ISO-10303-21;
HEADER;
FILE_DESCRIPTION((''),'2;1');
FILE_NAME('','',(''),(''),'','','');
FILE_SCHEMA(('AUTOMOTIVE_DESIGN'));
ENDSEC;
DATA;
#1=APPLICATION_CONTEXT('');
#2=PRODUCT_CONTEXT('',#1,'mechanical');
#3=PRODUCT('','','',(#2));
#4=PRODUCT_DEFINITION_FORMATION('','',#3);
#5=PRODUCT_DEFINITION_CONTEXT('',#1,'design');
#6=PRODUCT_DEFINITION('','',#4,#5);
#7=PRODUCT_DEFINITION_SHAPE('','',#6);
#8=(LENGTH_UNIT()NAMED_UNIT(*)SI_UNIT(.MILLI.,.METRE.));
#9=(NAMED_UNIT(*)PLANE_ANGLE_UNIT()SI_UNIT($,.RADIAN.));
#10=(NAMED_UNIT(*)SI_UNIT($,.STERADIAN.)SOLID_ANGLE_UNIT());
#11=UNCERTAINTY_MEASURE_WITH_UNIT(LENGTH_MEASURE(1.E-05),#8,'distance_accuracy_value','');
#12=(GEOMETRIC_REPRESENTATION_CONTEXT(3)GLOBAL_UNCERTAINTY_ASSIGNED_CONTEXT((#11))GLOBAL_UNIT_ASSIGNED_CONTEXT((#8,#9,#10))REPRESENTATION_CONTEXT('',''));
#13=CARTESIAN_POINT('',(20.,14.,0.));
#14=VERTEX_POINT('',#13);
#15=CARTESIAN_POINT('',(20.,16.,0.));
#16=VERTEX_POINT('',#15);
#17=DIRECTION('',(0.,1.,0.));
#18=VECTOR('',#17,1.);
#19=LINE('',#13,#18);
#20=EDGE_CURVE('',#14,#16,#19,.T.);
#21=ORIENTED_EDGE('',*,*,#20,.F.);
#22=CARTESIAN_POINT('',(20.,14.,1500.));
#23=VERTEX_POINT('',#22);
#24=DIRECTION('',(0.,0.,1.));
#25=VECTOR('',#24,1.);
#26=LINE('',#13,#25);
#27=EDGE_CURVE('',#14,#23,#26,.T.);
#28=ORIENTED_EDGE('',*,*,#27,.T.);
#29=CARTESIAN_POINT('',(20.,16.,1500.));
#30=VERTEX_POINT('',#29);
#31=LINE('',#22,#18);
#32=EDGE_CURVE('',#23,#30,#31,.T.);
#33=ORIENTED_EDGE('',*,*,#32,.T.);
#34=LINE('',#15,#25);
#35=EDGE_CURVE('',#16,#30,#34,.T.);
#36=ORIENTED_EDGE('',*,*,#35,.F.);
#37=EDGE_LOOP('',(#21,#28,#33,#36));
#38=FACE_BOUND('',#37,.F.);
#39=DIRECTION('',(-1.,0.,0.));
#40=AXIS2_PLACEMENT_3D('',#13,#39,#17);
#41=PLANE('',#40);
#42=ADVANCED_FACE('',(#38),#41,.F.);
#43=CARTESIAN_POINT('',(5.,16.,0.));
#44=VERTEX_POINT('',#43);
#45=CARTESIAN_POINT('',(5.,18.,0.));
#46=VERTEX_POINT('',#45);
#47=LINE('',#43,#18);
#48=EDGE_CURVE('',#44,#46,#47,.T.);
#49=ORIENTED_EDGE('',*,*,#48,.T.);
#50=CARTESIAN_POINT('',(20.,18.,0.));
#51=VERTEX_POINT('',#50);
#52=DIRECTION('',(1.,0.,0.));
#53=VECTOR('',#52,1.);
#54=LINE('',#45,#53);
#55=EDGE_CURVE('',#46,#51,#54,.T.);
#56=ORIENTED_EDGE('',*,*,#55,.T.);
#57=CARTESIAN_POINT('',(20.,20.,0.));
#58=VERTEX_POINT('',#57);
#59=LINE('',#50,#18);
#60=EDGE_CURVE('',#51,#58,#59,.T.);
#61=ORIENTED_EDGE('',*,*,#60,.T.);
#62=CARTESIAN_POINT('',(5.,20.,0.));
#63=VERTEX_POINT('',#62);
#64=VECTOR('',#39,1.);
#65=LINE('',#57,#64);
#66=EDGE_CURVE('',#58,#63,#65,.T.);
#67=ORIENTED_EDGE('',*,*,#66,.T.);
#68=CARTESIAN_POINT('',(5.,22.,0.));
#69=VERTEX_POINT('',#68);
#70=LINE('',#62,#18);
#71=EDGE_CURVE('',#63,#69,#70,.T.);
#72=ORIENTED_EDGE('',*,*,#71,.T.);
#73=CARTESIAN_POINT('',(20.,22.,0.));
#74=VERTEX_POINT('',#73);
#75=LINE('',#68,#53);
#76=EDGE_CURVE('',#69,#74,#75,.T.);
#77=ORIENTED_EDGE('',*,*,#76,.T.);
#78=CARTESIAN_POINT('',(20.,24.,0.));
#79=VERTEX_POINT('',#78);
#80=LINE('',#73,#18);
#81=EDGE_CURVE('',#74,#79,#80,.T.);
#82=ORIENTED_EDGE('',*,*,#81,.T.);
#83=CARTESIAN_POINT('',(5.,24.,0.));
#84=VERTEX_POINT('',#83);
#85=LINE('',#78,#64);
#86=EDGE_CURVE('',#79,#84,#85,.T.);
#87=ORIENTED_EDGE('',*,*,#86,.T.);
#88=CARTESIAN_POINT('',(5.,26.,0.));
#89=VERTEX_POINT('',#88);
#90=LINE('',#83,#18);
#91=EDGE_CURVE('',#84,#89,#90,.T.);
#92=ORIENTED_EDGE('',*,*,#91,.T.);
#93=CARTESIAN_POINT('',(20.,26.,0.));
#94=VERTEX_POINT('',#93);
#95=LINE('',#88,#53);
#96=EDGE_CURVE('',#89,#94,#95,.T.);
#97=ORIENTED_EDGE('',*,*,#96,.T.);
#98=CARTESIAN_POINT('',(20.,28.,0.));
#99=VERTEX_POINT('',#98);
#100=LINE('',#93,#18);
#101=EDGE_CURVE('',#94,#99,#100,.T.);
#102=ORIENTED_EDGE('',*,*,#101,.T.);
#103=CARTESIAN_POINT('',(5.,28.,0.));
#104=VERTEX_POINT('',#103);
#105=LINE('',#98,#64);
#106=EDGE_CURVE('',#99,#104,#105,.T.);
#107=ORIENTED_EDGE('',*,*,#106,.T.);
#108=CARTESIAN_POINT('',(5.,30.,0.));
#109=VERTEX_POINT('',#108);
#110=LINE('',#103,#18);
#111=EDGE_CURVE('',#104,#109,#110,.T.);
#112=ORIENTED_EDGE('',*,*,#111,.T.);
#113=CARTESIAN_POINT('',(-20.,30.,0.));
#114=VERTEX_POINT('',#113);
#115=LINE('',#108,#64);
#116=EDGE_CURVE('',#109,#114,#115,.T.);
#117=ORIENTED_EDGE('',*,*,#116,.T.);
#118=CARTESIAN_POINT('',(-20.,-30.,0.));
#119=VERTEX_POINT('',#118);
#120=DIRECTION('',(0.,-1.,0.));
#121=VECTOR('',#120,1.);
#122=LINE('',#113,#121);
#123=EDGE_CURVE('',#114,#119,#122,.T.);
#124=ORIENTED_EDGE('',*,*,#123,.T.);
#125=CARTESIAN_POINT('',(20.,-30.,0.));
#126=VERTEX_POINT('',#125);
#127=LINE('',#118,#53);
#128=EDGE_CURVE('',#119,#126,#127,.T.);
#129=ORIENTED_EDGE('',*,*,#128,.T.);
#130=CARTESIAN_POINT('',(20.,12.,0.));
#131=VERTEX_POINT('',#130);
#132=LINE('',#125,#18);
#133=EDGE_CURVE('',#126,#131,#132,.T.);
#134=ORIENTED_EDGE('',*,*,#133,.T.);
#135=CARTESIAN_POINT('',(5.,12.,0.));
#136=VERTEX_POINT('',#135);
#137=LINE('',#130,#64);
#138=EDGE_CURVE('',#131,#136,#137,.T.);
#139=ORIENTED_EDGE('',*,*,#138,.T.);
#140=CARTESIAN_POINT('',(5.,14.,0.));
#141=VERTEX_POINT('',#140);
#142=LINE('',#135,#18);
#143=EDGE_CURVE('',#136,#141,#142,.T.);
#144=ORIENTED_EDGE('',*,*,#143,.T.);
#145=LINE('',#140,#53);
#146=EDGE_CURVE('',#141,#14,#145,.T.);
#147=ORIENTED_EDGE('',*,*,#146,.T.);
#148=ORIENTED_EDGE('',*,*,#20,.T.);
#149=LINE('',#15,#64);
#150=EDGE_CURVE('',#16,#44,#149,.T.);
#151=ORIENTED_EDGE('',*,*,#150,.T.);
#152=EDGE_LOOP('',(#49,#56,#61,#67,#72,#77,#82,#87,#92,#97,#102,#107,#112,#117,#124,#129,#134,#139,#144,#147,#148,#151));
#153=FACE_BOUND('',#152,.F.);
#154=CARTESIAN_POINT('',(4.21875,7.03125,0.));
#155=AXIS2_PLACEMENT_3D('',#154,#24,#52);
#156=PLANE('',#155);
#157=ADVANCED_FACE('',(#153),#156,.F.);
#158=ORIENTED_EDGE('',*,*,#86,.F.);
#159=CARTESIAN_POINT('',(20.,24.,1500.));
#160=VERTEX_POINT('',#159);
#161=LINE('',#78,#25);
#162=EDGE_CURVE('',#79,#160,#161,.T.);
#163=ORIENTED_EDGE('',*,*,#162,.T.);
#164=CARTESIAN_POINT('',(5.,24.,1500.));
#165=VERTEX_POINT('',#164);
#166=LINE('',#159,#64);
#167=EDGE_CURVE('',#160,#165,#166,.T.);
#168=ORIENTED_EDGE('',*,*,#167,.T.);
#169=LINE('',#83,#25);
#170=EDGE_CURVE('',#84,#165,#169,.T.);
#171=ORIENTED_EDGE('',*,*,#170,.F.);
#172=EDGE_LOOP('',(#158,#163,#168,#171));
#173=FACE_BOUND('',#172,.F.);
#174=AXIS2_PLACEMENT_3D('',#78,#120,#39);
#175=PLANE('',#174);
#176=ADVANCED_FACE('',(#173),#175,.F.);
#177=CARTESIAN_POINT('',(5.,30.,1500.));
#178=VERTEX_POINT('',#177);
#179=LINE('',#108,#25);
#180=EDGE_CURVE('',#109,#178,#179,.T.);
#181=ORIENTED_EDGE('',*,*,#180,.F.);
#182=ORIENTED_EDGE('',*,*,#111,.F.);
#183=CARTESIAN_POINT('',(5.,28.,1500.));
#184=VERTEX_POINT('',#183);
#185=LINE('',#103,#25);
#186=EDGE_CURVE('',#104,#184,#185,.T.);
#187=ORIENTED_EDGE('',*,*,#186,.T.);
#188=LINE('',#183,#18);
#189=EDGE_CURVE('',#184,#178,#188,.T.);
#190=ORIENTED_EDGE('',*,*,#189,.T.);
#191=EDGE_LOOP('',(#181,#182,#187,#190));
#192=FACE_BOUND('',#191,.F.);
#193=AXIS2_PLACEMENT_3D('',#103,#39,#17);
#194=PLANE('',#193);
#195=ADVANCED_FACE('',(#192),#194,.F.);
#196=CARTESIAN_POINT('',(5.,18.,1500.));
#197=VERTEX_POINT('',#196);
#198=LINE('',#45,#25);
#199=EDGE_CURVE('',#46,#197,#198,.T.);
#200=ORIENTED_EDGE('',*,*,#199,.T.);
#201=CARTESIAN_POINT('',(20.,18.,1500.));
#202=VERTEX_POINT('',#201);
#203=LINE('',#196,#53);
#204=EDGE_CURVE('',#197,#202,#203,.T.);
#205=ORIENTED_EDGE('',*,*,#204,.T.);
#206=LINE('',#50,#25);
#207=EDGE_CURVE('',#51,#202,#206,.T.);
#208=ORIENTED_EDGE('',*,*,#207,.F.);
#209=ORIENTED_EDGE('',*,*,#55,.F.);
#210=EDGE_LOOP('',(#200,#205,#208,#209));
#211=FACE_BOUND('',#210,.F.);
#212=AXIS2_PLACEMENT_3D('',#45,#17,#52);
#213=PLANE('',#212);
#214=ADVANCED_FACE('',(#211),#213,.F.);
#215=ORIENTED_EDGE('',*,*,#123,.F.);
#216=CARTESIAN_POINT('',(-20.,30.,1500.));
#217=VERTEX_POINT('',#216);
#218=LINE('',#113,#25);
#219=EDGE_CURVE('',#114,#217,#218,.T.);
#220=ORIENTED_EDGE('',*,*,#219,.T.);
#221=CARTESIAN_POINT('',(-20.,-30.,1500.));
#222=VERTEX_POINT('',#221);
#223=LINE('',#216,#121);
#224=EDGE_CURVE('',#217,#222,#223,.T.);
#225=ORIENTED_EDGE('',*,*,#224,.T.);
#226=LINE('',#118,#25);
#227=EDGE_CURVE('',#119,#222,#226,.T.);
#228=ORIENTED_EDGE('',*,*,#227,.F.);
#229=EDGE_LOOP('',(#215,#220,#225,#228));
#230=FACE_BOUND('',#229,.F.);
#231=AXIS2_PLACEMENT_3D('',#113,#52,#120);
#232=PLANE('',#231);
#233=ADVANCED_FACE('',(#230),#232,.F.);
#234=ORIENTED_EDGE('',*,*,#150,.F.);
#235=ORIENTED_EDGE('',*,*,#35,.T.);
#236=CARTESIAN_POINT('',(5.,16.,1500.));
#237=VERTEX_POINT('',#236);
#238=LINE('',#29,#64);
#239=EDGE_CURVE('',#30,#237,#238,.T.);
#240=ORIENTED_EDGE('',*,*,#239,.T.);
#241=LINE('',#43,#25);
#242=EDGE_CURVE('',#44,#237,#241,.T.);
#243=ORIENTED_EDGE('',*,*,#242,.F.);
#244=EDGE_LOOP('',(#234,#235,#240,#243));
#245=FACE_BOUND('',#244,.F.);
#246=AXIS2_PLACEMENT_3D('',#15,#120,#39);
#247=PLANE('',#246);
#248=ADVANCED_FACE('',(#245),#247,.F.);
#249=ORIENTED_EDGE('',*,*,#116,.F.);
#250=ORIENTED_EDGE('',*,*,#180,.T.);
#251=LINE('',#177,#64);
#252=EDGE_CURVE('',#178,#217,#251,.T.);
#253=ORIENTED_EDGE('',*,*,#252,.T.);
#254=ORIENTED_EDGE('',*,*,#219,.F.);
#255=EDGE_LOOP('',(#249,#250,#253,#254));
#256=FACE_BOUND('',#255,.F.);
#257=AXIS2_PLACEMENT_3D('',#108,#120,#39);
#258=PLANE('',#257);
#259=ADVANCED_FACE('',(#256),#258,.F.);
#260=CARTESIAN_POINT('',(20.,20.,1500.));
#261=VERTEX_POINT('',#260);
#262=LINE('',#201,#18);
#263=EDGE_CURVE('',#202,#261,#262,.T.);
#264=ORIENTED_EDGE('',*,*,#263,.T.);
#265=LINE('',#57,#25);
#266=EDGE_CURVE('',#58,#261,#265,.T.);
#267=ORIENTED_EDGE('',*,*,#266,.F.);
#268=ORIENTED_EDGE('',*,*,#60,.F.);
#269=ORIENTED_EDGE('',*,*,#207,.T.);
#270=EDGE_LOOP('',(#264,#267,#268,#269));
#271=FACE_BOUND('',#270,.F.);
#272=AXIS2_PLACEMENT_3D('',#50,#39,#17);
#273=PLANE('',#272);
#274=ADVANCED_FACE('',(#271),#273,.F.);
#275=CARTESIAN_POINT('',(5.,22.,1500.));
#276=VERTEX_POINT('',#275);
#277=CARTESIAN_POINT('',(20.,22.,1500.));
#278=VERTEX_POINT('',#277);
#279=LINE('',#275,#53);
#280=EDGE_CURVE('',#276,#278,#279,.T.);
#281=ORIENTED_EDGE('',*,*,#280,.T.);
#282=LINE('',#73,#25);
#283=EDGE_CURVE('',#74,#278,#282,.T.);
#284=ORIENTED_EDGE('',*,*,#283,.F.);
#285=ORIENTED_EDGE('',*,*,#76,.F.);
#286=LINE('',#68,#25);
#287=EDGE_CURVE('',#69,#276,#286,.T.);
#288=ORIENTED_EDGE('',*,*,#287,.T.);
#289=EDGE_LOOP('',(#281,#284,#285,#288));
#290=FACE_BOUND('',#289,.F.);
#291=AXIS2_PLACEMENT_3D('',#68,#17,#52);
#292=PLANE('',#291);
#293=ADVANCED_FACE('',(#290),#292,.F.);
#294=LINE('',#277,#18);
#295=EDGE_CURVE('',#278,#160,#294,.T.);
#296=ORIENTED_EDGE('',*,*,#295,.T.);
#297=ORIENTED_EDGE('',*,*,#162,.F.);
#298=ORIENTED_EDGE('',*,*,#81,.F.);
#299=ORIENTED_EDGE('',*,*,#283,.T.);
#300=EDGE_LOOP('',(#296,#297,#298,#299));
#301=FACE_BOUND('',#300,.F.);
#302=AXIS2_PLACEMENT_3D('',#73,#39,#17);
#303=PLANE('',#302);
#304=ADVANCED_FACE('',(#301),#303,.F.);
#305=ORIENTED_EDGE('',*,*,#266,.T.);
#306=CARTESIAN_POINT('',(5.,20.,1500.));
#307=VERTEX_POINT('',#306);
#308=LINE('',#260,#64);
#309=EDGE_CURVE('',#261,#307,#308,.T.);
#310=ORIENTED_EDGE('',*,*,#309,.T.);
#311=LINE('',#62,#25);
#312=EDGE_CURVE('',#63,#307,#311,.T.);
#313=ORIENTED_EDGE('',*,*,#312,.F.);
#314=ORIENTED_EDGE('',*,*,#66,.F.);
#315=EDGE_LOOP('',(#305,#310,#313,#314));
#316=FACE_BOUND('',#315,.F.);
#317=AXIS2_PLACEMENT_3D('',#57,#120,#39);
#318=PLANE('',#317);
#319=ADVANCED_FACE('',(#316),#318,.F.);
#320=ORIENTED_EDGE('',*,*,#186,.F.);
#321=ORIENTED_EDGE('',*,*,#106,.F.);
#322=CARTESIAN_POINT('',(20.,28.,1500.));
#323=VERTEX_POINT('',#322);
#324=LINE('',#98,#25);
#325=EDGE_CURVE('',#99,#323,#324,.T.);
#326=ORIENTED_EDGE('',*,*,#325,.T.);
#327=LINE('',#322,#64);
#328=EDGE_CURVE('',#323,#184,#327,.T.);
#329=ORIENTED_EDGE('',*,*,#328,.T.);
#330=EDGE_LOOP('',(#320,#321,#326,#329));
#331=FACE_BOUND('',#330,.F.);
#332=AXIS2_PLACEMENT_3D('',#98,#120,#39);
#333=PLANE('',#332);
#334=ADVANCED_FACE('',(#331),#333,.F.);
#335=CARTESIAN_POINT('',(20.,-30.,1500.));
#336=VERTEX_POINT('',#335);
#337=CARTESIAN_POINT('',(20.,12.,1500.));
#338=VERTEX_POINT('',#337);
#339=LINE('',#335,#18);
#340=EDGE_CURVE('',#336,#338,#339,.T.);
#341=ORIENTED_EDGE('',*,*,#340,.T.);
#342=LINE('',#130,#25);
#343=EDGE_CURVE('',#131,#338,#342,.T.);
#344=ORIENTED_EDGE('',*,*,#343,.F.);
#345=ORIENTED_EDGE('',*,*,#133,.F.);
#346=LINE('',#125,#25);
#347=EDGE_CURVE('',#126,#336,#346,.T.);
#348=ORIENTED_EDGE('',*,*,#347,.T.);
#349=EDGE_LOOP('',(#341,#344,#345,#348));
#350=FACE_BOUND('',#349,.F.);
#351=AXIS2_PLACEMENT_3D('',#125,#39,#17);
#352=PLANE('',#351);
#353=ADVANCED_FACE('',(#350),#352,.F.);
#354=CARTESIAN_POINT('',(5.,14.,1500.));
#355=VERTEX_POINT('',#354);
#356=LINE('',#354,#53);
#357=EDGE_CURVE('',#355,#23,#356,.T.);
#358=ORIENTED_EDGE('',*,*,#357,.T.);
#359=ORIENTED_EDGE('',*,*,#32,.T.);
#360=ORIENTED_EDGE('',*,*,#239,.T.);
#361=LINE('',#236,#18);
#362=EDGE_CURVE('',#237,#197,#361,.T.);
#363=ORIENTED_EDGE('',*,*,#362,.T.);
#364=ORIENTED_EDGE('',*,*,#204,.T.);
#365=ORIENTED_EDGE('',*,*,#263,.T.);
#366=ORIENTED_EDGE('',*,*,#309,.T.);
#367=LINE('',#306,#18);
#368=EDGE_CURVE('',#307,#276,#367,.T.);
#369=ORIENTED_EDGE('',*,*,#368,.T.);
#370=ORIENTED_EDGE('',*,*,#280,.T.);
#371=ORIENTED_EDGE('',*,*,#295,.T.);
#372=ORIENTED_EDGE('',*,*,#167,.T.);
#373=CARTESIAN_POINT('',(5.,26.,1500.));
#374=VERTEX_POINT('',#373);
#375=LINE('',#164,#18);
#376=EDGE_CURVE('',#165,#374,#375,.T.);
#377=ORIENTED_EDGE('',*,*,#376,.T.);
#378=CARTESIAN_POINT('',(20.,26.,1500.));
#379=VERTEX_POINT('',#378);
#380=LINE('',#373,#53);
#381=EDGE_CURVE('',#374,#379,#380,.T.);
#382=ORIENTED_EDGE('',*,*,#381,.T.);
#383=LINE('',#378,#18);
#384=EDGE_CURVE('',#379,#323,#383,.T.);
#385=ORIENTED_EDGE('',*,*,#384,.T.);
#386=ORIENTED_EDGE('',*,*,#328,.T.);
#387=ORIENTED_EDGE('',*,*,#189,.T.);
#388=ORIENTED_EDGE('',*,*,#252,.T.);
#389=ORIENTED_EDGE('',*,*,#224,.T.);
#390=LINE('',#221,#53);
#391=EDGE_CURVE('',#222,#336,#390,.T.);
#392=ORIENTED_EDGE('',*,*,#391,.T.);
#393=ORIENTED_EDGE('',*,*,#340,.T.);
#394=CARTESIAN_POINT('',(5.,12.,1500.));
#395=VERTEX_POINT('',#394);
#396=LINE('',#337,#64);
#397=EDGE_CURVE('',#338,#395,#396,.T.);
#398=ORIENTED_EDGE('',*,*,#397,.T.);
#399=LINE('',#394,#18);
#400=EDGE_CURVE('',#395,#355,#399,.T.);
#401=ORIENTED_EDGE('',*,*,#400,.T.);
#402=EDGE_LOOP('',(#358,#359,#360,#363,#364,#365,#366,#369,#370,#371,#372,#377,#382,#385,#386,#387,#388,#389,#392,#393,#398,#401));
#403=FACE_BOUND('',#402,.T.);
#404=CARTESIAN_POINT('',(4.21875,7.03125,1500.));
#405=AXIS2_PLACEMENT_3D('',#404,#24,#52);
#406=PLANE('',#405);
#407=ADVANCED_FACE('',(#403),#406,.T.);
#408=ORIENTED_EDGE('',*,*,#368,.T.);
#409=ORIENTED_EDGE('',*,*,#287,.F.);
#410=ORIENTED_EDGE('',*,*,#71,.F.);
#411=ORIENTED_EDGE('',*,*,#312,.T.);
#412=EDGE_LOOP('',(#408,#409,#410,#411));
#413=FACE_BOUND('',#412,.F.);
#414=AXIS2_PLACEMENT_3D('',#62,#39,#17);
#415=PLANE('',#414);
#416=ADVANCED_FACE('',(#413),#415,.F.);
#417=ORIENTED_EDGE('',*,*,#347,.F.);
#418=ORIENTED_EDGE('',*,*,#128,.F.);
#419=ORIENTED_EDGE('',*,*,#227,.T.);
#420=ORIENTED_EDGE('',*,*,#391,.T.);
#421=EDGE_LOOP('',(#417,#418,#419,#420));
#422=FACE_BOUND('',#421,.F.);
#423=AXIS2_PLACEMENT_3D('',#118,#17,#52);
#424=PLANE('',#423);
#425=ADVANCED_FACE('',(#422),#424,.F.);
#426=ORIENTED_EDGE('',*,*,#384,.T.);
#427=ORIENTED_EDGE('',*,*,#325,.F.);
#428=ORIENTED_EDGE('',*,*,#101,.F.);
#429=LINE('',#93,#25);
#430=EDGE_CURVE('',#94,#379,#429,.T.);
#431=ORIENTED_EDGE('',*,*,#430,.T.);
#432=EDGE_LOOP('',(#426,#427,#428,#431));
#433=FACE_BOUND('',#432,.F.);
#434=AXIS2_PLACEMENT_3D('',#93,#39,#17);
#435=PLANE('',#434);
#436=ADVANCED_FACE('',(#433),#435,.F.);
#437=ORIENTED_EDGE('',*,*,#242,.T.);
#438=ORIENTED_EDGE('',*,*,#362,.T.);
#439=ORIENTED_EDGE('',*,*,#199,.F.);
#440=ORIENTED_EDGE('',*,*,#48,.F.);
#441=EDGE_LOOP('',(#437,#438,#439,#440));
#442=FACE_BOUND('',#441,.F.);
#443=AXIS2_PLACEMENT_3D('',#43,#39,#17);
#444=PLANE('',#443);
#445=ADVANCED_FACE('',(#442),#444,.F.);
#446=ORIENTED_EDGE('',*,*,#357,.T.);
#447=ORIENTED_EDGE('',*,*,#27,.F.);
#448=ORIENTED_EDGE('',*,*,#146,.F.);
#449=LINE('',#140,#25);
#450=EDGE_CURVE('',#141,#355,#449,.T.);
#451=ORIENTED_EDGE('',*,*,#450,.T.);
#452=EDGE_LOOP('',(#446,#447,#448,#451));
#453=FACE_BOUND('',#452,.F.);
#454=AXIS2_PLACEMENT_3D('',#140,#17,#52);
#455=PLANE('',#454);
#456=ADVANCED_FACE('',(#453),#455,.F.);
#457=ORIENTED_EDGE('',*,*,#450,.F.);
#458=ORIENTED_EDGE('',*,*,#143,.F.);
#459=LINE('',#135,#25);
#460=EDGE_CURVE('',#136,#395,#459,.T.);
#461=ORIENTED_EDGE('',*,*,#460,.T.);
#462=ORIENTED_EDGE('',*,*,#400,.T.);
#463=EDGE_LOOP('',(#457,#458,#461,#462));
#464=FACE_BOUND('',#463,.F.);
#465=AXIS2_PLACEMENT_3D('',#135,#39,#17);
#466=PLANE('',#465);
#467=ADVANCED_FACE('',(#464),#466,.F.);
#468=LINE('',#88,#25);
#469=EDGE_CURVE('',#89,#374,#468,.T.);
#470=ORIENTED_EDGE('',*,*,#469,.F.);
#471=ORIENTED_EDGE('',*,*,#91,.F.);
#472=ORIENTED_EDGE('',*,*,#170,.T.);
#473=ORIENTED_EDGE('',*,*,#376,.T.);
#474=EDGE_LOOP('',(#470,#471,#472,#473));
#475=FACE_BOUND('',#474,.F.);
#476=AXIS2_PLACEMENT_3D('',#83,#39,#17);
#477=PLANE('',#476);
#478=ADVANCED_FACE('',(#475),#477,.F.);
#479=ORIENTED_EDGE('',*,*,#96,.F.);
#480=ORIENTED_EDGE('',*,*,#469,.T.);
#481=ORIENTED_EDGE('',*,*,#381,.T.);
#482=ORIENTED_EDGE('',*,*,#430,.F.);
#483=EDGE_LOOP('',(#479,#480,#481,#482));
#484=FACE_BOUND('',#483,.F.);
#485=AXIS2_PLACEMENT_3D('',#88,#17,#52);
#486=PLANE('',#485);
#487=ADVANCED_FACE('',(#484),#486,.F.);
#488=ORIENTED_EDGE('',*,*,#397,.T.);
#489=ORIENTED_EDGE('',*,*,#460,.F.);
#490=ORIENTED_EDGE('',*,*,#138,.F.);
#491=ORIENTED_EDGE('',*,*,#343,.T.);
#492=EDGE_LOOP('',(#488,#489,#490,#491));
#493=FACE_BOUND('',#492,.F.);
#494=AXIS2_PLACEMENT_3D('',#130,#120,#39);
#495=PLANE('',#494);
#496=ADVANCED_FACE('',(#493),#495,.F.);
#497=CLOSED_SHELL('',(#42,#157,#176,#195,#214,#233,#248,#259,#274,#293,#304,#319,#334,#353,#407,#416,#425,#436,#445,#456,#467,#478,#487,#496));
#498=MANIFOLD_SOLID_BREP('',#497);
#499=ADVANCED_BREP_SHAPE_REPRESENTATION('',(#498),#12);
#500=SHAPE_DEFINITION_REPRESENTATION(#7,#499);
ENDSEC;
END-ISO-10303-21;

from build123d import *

# Parameters (mm, degrees)
F1_DEPTH = 1500


with BuildPart() as f1:
    # F0 (on Top) → F1 (new body)
    with BuildSketch(Plane.XY):
        Polygon((-20, 30), (-20, -30), (20, -30), (20, 12), (5, 12), (5, 14), (20, 14), (20, 16), (5, 16), (5, 18), (20, 18), (20, 20), (5, 20), (5, 22), (20, 22), (20, 24), (5, 24), (5, 26), (20, 26), (20, 28), (5, 28), (5, 30), align=None)
    extrude(amount=F1_DEPTH)


solid = f1.part
